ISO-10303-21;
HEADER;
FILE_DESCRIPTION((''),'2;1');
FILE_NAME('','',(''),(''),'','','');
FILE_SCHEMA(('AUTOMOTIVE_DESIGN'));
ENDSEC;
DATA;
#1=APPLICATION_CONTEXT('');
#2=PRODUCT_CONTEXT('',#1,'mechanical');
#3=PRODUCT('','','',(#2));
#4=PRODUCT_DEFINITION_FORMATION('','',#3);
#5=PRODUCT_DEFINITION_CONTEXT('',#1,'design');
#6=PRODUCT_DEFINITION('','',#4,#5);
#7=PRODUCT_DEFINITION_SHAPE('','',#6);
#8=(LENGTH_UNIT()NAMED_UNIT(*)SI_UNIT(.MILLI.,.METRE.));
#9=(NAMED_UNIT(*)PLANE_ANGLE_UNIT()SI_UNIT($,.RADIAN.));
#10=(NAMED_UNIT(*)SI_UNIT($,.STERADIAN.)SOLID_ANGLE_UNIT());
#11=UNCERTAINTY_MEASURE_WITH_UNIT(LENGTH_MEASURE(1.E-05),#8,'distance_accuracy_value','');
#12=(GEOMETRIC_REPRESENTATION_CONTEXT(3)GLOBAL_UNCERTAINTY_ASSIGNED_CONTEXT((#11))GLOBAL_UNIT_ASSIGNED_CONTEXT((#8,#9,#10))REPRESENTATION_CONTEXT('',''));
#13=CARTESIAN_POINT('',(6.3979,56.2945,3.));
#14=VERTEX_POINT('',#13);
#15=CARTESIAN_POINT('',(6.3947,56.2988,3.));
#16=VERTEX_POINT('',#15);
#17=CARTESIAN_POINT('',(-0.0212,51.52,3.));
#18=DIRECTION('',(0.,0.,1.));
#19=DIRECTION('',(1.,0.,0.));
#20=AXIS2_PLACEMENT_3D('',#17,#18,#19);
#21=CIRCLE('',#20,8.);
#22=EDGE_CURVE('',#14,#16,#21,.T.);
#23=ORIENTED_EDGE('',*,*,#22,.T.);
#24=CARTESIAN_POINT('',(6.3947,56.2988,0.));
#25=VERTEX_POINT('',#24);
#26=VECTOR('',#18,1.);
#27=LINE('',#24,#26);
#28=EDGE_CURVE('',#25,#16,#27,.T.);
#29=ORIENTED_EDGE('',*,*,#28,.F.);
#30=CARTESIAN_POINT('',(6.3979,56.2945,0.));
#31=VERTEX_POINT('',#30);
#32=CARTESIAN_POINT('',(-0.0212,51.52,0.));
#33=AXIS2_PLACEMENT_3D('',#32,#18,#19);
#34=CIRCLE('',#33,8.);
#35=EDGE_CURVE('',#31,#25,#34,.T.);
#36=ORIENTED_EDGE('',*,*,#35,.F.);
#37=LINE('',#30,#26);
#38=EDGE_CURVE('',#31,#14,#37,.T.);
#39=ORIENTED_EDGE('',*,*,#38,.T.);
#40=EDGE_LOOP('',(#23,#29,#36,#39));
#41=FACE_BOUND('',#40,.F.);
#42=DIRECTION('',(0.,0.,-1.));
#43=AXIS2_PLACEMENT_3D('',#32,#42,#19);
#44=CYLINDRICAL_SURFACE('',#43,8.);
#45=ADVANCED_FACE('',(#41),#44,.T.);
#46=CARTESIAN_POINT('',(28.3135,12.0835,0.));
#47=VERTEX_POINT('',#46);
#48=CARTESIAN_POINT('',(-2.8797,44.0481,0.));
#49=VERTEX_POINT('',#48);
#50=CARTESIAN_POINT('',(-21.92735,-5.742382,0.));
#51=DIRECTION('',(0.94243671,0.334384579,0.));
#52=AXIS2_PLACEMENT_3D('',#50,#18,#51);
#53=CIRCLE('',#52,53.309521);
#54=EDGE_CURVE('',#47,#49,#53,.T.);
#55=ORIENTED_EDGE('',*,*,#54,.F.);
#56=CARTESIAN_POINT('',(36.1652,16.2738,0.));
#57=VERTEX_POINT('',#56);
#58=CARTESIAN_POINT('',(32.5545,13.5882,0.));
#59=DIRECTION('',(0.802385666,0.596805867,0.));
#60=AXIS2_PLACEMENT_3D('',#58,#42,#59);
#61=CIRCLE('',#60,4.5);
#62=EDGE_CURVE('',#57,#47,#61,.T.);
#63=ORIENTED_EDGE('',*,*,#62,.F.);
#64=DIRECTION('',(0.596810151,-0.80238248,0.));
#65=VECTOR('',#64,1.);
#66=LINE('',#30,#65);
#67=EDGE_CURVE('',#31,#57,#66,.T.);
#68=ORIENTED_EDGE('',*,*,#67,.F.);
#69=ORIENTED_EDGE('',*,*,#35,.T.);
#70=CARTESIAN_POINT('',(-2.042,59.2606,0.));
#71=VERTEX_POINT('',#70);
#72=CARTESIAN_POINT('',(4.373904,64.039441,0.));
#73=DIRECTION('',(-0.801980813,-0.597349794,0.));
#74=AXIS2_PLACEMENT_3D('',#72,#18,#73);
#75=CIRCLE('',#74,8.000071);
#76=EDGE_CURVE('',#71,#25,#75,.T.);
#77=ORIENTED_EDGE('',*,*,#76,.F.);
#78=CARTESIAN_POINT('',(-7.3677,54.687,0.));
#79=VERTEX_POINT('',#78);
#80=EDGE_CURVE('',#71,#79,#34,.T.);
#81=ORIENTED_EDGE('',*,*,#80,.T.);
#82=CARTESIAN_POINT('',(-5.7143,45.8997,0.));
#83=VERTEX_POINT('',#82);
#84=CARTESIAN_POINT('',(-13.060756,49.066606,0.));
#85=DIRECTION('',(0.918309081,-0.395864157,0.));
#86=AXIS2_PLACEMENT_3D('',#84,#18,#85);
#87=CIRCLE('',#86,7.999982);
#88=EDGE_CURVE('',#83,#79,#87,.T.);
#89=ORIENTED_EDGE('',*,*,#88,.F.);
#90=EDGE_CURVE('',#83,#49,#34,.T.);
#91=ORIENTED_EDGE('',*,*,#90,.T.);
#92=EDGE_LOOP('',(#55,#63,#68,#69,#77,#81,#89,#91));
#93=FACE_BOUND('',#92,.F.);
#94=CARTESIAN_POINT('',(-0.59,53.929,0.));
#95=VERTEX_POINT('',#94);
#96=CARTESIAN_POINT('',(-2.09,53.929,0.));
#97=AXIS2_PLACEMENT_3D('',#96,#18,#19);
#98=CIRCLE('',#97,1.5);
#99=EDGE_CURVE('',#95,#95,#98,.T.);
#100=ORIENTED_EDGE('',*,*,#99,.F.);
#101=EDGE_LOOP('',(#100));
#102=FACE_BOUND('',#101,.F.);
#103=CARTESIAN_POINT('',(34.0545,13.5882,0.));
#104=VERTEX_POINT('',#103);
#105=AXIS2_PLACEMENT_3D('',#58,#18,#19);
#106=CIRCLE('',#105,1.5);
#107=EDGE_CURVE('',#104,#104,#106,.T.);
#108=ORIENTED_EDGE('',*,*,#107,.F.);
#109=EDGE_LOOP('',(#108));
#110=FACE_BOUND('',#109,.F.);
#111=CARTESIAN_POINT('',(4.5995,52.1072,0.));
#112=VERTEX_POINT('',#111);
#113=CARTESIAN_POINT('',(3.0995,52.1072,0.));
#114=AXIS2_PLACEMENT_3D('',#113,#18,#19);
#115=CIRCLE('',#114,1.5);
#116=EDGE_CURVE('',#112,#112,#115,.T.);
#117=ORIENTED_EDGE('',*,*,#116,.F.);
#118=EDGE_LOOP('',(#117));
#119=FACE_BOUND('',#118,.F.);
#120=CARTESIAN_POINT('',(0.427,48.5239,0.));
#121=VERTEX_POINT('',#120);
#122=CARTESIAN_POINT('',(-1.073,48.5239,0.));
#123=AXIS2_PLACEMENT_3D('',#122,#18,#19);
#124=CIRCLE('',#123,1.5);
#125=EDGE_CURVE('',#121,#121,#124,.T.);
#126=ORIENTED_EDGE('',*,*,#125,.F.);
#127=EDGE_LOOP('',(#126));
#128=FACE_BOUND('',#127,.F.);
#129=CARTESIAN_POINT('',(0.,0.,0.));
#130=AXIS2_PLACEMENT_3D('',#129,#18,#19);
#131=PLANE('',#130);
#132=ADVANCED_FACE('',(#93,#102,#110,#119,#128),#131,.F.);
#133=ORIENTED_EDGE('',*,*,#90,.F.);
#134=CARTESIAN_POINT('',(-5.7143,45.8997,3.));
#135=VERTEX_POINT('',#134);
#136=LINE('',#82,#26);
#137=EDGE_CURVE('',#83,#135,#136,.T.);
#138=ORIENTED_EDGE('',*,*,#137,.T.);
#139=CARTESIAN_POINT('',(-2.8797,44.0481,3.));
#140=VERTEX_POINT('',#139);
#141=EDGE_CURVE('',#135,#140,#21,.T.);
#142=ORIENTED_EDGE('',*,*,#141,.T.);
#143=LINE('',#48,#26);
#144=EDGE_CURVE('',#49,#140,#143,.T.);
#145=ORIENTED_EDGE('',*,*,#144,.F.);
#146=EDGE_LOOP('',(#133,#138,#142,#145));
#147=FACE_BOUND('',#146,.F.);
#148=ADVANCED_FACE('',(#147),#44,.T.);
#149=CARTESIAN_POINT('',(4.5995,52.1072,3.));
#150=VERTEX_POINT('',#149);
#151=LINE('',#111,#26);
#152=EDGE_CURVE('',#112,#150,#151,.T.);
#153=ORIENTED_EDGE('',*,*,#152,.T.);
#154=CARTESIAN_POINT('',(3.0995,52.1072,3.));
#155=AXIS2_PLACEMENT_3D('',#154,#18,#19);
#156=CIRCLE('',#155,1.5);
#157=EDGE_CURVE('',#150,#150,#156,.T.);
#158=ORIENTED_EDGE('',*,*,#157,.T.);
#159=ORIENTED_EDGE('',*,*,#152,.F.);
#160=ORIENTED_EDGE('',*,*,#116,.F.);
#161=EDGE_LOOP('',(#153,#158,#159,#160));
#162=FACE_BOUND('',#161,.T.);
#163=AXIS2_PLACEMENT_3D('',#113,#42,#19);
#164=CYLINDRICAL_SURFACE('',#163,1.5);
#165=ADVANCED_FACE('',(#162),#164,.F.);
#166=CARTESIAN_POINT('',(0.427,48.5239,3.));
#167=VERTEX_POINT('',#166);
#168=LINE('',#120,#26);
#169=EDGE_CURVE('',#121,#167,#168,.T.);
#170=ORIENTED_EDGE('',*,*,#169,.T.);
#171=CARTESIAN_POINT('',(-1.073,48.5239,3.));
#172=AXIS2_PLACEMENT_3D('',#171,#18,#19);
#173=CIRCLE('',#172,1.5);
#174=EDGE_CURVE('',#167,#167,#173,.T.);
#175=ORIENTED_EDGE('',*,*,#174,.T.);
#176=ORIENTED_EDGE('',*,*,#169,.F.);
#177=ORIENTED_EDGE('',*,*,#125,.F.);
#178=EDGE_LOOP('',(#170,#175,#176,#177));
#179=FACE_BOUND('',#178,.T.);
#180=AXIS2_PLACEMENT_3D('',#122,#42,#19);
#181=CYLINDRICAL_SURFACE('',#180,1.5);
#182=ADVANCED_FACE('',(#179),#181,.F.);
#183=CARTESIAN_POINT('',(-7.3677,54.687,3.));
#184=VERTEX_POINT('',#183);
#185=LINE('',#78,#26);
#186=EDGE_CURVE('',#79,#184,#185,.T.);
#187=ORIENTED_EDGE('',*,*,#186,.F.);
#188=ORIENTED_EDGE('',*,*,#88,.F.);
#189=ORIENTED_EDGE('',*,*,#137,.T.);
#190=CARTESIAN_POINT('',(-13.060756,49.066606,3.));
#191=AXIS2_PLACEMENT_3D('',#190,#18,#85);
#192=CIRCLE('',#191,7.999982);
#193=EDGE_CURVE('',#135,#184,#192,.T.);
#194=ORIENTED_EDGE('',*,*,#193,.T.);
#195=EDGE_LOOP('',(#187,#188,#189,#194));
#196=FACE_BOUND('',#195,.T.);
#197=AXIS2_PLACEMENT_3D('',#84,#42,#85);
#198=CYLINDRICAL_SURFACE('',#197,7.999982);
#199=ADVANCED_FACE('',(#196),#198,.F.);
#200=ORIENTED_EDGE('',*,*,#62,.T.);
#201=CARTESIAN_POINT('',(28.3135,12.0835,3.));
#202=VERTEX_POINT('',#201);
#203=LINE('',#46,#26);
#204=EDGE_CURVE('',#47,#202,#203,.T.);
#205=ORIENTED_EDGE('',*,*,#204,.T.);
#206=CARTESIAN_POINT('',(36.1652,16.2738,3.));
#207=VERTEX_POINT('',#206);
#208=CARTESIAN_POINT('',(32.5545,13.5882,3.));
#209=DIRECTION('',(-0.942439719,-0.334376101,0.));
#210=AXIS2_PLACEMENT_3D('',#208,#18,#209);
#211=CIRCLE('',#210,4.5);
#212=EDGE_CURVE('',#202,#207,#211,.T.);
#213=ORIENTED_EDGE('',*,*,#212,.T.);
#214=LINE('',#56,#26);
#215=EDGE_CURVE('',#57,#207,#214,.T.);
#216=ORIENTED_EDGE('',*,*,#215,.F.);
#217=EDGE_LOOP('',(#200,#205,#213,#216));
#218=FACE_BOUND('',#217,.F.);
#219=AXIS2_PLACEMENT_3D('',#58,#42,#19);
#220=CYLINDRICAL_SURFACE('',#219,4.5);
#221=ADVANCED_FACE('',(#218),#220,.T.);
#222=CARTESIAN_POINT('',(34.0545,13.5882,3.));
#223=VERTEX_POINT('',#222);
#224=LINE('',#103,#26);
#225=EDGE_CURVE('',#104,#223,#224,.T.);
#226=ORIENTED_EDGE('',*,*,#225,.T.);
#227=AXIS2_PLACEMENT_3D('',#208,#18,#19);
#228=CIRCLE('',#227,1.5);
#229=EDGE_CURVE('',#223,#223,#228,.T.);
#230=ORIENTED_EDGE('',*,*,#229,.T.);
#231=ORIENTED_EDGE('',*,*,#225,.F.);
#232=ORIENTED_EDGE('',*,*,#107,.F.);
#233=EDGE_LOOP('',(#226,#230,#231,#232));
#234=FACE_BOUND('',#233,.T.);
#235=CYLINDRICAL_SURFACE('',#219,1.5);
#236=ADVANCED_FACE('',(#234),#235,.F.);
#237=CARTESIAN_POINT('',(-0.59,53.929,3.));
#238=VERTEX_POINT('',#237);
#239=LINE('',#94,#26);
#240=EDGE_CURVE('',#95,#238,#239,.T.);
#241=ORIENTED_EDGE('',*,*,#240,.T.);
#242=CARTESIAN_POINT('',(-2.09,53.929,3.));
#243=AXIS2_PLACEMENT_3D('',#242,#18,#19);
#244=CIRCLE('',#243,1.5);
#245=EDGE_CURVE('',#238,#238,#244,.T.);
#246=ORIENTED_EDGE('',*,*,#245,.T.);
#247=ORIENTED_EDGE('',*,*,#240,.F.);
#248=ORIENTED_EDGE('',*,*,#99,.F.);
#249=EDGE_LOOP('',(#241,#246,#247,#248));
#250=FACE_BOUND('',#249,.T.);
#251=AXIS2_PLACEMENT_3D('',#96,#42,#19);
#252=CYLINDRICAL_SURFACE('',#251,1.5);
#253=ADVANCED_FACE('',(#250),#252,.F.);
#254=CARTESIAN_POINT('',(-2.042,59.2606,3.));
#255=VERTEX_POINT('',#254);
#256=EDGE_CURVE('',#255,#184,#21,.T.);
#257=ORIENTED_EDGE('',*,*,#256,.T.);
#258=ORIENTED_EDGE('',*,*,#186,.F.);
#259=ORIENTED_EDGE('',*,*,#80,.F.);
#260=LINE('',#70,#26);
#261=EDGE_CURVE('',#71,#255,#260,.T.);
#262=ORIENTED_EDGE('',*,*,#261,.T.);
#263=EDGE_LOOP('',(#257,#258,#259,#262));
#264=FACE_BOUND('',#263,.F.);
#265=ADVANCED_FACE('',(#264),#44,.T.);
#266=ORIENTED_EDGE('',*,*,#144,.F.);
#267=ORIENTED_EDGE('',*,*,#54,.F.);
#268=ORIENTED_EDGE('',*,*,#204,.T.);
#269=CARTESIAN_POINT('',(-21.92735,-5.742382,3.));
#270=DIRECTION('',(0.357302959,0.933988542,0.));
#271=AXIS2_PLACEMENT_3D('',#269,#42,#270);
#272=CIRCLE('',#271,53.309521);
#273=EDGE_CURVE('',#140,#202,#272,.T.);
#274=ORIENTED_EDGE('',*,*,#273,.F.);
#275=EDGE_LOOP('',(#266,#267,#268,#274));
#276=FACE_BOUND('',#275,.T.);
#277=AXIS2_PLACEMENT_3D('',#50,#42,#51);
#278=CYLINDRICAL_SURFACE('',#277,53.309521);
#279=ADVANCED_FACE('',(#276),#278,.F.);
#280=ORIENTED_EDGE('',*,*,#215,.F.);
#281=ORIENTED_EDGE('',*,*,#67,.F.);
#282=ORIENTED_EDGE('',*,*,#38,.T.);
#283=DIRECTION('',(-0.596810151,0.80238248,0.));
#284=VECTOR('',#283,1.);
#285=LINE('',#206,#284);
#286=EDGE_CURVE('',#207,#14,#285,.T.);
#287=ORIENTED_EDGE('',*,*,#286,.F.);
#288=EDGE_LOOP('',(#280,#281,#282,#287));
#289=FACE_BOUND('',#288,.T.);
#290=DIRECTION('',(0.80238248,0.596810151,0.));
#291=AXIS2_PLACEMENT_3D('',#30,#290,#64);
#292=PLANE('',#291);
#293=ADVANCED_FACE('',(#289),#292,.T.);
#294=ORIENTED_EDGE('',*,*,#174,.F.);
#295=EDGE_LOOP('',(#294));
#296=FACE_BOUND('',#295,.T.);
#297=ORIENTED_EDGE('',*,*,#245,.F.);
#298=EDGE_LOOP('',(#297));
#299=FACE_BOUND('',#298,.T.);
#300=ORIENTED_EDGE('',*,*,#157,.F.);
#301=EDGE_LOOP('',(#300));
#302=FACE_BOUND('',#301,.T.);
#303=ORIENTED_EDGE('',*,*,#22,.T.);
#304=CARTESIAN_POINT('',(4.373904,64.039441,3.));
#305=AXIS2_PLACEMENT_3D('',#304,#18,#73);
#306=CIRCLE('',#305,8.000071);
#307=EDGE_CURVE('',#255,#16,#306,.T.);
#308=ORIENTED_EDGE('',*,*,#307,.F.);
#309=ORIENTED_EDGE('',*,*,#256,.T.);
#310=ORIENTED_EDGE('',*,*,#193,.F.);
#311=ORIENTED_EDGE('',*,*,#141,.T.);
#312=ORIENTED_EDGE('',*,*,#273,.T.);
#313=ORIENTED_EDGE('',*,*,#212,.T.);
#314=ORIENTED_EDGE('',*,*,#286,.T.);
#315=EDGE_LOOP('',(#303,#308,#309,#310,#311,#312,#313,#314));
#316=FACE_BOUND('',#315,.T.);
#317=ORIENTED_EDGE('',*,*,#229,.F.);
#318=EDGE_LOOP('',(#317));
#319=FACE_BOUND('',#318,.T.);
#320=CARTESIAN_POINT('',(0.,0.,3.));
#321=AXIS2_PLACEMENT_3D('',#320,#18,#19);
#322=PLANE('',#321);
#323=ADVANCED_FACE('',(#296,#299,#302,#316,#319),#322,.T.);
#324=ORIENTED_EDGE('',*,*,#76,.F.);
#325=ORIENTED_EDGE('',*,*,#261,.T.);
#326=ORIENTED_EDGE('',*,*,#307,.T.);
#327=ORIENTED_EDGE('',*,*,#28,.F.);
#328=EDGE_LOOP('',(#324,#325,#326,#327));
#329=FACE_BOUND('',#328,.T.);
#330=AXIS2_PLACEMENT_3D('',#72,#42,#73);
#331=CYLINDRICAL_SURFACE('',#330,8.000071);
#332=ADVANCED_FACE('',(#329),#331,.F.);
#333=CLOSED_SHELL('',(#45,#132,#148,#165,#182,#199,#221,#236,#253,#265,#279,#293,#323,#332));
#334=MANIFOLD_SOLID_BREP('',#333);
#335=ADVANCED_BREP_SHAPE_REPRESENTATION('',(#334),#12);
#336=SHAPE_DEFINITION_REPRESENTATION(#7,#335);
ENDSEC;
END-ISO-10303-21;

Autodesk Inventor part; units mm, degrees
ref_plane "YZ Plane" through (0, 0, 0) normal (1, 0, 0) x (0, 1, 0)
ref_plane "XZ Plane" through (0, 0, 0) normal (0, 1, 0) x (-1, 0, 0)
ref_plane "XY Plane" through (0, 0, 0) normal (0, 0, 1) x (1, 0, 0)
sketch "スケッチ1" plane through (0, 0, 0) normal (0, 0, 1) x (1, 0, 0)
  circle A0 centre (-11.4931, -19.1593) radius 14 construction
  circle A1 centre (16.245, -15.3385) radius 14 construction
  line L0 (-197.2268, -33.1593) -> (179.6604, -33.1593) construction
  line L1 (-67.2952, 44.8622) -> (-67.2952, -57.3934) construction
  circle A2 centre (-59.2702, 32.0272) radius 2 construction
  circle A3 centre (-59.2702, 32.0272) radius 5.025 construction
  line L2 (-77.2952, 24.5844) -> (-77.2952, -15.0909)
  circle A4 centre (-59.2702, 32.0272) radius 4 construction
  circle A5 centre (-28.0204, 0.0121) radius 22.342 construction
  circle A6 centre (-40.2768, 3.1689) radius 22.342 construction
  circle A7 centre (-60.3241, 13.0314) radius 14 construction
  circle A8 centre (-53.8442, -14.5819) radius 14 construction
  circle A9 centre (-39.4931, -19.1593) radius 14 construction
  circle A10 centre (-62.0279, -1.9354) radius 14 construction
  line L3 (-50.4137, 33.1763) -> (-63.8556, 5.853) construction
  line L4 (-63.8556, 5.853) -> (-60.2002, -9.7238) construction
  line L5 (-60.2002, -9.7238) -> (-47.4881, -19.44) construction
  line L6 (-47.4881, -19.44) -> (-24.0934, -18.6188) construction
  circle A11 centre (-60.3241, 13.0314) radius 8 construction
  circle A12 centre (-62.0279, -1.9354) radius 8 construction
  circle A13 centre (-53.8442, -14.5819) radius 8 construction
  circle A14 centre (-39.4931, -19.1593) radius 8 construction
  circle A15 centre (-47.4881, -19.44) radius 1.3
  circle A16 centre (-31.498, -18.8787) radius 1.3
  circle A17 centre (-60.2002, -9.7238) radius 1.3
  circle A18 centre (-63.8556, 5.853) radius 1.3
  circle A19 centre (-56.7927, 20.2097) radius 1.3
  circle A20 centre (-60.3241, 13.0314) radius 5
  circle A21 centre (-62.0279, -1.9354) radius 5
  circle A22 centre (-53.8442, -14.5819) radius 5
  circle A23 centre (-39.4931, -19.1593) radius 5
  circle A24 centre (-40.2768, 3.1689) radius 5.05
  circle A25 centre (-6.7239, 1.3907) radius 28.55 construction
  circle A26 centre (32.5545, 13.5882) radius 32.1 construction
  line L7 (-170.915, -81.4118) -> (490.0044, -81.4118) construction
  circle A27 centre (-1.9226, 44.1165) radius 2 construction
  circle A28 centre (71.1898, -32.1215) radius 2 construction
  circle A29 centre (45.6606, 13.5882) radius 1.5 construction
  circle A30 centre (22.3463, 32.4678) radius 2 construction
  line L8 (32.5545, 13.5882) -> (9.2401, 32.4678) construction
  line L9 (9.2401, 32.4678) -> (-15.0287, 44.1165) construction
  line L10 (32.5545, 13.5882) -> (58.0836, -32.1215) construction
  line L11 (-1.9226, 44.1165) -> (22.3463, 32.4678) construction
  line L12 (22.3463, 32.4678) -> (45.6606, 13.5882) construction
  line L13 (45.6606, 13.5882) -> (71.1898, -32.1215) construction
  circle A31 centre (-15.0287, 44.1165) radius 2
  circle A32 centre (9.2401, 32.4678) radius 2
  circle A33 centre (32.5545, 13.5882) radius 4.025
  circle A34 centre (58.0836, -32.1215) radius 2
  circle A35 centre (-15.0287, 44.1165) radius 4
  circle A36 centre (58.0836, -32.1215) radius 4
  arc A37 (-10.4642, 49.4236) -> (-16.7225, 50.9085) centre (-15.0287, 44.1165) ccw
  arc A38 (55.6895, -38.6994) -> (63.1356, -27.2762) centre (58.0836, -32.1215) ccw
  arc A39 (75.6915, -11.451) -> (23.3358, 45.6882) centre (45.6606, 13.5882) ccw construction
  arc A40 (5.9468, 46.5813) -> (23.3358, 45.6882) centre (15.2178, 57.3607) ccw construction
  line L14 (2.6419, 49.4236) -> (5.9468, 46.5813) construction
  arc A41 (2.6419, 49.4236) -> (-4.7411, 50.524) centre (-1.9226, 44.1165) ccw construction
  arc A42 (75.6915, -11.451) -> (76.2418, -27.2762) centre (84.8125, -19.056) ccw construction
  arc A43 (69.4805, -38.9096) -> (76.2418, -27.2762) centre (71.1898, -32.1215) ccw construction
  arc A44 (62.5853, -11.451) -> (8.8225, 44.6623) centre (32.5545, 13.5882) ccw
  arc A45 (-7.1594, 46.5813) -> (10.2296, 45.6882) centre (2.1116, 57.3607) ccw construction
  line L15 (-7.1594, 46.5813) -> (-10.4642, 49.4236)
  arc A46 (62.5853, -11.451) -> (63.1356, -27.2762) centre (71.7064, -19.056) ccw
  arc A47 (-61.212, 39.8137) -> (-64.6423, 37.9887) centre (-59.2702, 32.0272) ccw
  circle A48 centre (-72.7952, 24.5844) radius 1.5
  arc A49 (-75.8076, 27.9274) -> (-77.2952, 24.5844) centre (-72.7952, 24.5844) ccw
  line L16 (-16.7225, 50.9085) -> (-61.212, 39.8137)
  circle A50 centre (-72.7952, 24.5844) radius 3 construction
  arc A51 (-77.2952, -15.0909) -> (-76.0696, -18.1776) centre (-72.7952, -15.0909) ccw
  circle A52 centre (-72.7952, -15.0909) radius 1.5
  circle A53 centre (-72.7952, -15.0909) radius 3 construction
  line L17 (-64.6423, 37.9887) -> (-75.8076, 27.9274)
  line L18 (-60.6517, -33.1593) -> (40.4684, -33.1593)
  line L19 (40.4684, -33.1593) -> (55.6895, -38.6994)
  circle A54 centre (-6.7239, 1.3907) radius 7.5
  line L20 (-76.0696, -18.1776) -> (-62.8347, -32.2172)
  arc A55 (-62.8347, -32.2172) -> (-60.6517, -33.1593) centre (-60.6517, -30.1593) ccw
  circle A56 centre (-60.6517, -30.1593) radius 1.5
  circle A57 centre (-6.7239, 1.3907) radius 29.55 construction
  line L21 (-90.7052, -28.1593) -> (49.3281, -28.1593) construction
  circle A58 centre (-26.5251, 43.8261) radius 4.5 construction
  circle A59 centre (-26.5251, 43.8261) radius 1.5
  circle A60 centre (-7.4902, 35.432) radius 1.5
  circle A61 centre (-7.4902, 35.432) radius 4.5 construction
  circle A62 centre (9.2401, 32.4678) radius 4
  circle A63 centre (32.5545, 13.5882) radius 34.1 construction
  circle A64 centre (17.9034, -22.1232) radius 1.5
  circle A65 centre (17.9034, -22.1232) radius 4.5 construction
  circle A66 centre (46.6805, -30.6316) radius 1.5
  circle A67 centre (46.6805, -30.6316) radius 4.5 construction
  circle A68 centre (-25.2792, -27.1593) radius 1.5
  circle A69 centre (-25.2792, -27.1593) radius 4.5 construction
  circle A70 centre (-48.4615, 38.3556) radius 1.5
  circle A71 centre (-48.4615, 38.3556) radius 4.5 construction
  circle A72 centre (-59.2702, 32.0272) radius 4.2
  circle A73 centre (-6.7239, 1.3907) radius 8.7
  circle A74 centre (-40.2768, 3.1689) radius 6.05
  circle A75 centre (-25.2792, -27.1593) radius 3 construction
  circle A76 centre (-0.0212, 51.52) radius 8
  line L22 (32.5545, 13.5882) -> (-0.0212, 51.52) construction
  line L23 (-2.09, 53.929) -> (3.0995, 52.1072) construction
  line L24 (3.0995, 52.1072) -> (-1.073, 48.5239) construction
  line L25 (-1.073, 48.5239) -> (-2.09, 53.929) construction
  circle A77 centre (-2.09, 53.929) radius 1.5
  circle A78 centre (3.0995, 52.1072) radius 1.5
  circle A79 centre (-1.073, 48.5239) radius 1.5
  circle A80 centre (32.5545, 13.5882) radius 1.5
  circle A81 centre (32.5545, 13.5882) radius 4.5
  line L26 (6.3979, 56.2945) -> (36.1652, 16.2738)
  arc A82 (28.3135, 12.0835) -> (-2.8797, 44.0481) centre (-21.9277, -5.7426) ccw
  circle A83 centre (-2.09, 53.929) radius 4 construction
  circle A84 centre (3.0995, 52.1072) radius 4 construction
  circle A85 centre (-1.073, 48.5239) radius 4 construction
  arc A86 (-2.042, 59.2606) -> (6.3947, 56.2988) centre (4.3738, 64.0393) ccw
  arc A87 (-5.7143, 45.8997) -> (-7.3677, 54.687) centre (-13.0607, 49.0666) ccw
  point P0 (0, 0)
  point P1 (0, 0)
  dimension "d7" = 16
  dimension "d8" = 16
  dimension "d10" = 16
  dimension "d0" = 10.05
  dimension "d1" = 10
  dimension "d2" = 8
  dimension "d3" = 28
  dimension "d4" = 28
  dimension "d5" = 28
  dimension "d6" = 28
  dimension "d9" = 16
  dimension "d11" = 2.6
  dimension "d12" = 2.6
  dimension "d13" = 2.6
  dimension "d14" = 2.6
  dimension "d15" = 2.6
  dimension "d16" = 10
  dimension "d17" = 10
  dimension "d18" = 10
  dimension "d19" = 10
  dimension "d20" = 10.1
  dimension "d21" = 57.1
  dimension "d22" = 41.1287
  dimension "d23" = 64.2
  dimension "d24" = 95
  dimension "d25" = 4
  dimension "d26" = 4
  dimension "d27" = 8.05
  dimension "d28" = 4
  dimension "d29" = 8
  dimension "d30" = 8
  dimension "d31" = 3
  dimension "d32" = 3
  dimension "d33" = 3
  dimension "d34" = 3
  dimension "d35" = 3
  dimension "d36" = 6
  dimension "d37" = 9
  dimension "d38" = 3
  dimension "d39" = 6
  dimension "d40" = 15
  dimension "d41" = 6
  dimension "d42" = 3
  dimension "d43" = 1
  dimension "d44" = 5
  dimension "d45" = 9
  dimension "d46" = 3
  dimension "d47" = 3
  dimension "d48" = 9
  dimension "d49" = 8
  dimension "d50" = 2
  dimension "d51" = 3
  dimension "d52" = 9
  dimension "d53" = 3
  dimension "d54" = 9
  dimension "d55" = 3
  dimension "d56" = 9
  dimension "d57" = 3
  dimension "d58" = 9
  dimension "d59" = 160
  dimension "d60" = 8.4
  dimension "d61" = 1.2
  dimension "d62" = 1
  dimension "d63" = 6
  dimension "d64" = 6
  dimension "d65" = 16
  dimension "d66" = 50
extrude "押し出し1" add sketch "スケッチ1" along normal blind 3 contours A33 | A82 A76 L26 A81 | A81 | A76 A87 A86
